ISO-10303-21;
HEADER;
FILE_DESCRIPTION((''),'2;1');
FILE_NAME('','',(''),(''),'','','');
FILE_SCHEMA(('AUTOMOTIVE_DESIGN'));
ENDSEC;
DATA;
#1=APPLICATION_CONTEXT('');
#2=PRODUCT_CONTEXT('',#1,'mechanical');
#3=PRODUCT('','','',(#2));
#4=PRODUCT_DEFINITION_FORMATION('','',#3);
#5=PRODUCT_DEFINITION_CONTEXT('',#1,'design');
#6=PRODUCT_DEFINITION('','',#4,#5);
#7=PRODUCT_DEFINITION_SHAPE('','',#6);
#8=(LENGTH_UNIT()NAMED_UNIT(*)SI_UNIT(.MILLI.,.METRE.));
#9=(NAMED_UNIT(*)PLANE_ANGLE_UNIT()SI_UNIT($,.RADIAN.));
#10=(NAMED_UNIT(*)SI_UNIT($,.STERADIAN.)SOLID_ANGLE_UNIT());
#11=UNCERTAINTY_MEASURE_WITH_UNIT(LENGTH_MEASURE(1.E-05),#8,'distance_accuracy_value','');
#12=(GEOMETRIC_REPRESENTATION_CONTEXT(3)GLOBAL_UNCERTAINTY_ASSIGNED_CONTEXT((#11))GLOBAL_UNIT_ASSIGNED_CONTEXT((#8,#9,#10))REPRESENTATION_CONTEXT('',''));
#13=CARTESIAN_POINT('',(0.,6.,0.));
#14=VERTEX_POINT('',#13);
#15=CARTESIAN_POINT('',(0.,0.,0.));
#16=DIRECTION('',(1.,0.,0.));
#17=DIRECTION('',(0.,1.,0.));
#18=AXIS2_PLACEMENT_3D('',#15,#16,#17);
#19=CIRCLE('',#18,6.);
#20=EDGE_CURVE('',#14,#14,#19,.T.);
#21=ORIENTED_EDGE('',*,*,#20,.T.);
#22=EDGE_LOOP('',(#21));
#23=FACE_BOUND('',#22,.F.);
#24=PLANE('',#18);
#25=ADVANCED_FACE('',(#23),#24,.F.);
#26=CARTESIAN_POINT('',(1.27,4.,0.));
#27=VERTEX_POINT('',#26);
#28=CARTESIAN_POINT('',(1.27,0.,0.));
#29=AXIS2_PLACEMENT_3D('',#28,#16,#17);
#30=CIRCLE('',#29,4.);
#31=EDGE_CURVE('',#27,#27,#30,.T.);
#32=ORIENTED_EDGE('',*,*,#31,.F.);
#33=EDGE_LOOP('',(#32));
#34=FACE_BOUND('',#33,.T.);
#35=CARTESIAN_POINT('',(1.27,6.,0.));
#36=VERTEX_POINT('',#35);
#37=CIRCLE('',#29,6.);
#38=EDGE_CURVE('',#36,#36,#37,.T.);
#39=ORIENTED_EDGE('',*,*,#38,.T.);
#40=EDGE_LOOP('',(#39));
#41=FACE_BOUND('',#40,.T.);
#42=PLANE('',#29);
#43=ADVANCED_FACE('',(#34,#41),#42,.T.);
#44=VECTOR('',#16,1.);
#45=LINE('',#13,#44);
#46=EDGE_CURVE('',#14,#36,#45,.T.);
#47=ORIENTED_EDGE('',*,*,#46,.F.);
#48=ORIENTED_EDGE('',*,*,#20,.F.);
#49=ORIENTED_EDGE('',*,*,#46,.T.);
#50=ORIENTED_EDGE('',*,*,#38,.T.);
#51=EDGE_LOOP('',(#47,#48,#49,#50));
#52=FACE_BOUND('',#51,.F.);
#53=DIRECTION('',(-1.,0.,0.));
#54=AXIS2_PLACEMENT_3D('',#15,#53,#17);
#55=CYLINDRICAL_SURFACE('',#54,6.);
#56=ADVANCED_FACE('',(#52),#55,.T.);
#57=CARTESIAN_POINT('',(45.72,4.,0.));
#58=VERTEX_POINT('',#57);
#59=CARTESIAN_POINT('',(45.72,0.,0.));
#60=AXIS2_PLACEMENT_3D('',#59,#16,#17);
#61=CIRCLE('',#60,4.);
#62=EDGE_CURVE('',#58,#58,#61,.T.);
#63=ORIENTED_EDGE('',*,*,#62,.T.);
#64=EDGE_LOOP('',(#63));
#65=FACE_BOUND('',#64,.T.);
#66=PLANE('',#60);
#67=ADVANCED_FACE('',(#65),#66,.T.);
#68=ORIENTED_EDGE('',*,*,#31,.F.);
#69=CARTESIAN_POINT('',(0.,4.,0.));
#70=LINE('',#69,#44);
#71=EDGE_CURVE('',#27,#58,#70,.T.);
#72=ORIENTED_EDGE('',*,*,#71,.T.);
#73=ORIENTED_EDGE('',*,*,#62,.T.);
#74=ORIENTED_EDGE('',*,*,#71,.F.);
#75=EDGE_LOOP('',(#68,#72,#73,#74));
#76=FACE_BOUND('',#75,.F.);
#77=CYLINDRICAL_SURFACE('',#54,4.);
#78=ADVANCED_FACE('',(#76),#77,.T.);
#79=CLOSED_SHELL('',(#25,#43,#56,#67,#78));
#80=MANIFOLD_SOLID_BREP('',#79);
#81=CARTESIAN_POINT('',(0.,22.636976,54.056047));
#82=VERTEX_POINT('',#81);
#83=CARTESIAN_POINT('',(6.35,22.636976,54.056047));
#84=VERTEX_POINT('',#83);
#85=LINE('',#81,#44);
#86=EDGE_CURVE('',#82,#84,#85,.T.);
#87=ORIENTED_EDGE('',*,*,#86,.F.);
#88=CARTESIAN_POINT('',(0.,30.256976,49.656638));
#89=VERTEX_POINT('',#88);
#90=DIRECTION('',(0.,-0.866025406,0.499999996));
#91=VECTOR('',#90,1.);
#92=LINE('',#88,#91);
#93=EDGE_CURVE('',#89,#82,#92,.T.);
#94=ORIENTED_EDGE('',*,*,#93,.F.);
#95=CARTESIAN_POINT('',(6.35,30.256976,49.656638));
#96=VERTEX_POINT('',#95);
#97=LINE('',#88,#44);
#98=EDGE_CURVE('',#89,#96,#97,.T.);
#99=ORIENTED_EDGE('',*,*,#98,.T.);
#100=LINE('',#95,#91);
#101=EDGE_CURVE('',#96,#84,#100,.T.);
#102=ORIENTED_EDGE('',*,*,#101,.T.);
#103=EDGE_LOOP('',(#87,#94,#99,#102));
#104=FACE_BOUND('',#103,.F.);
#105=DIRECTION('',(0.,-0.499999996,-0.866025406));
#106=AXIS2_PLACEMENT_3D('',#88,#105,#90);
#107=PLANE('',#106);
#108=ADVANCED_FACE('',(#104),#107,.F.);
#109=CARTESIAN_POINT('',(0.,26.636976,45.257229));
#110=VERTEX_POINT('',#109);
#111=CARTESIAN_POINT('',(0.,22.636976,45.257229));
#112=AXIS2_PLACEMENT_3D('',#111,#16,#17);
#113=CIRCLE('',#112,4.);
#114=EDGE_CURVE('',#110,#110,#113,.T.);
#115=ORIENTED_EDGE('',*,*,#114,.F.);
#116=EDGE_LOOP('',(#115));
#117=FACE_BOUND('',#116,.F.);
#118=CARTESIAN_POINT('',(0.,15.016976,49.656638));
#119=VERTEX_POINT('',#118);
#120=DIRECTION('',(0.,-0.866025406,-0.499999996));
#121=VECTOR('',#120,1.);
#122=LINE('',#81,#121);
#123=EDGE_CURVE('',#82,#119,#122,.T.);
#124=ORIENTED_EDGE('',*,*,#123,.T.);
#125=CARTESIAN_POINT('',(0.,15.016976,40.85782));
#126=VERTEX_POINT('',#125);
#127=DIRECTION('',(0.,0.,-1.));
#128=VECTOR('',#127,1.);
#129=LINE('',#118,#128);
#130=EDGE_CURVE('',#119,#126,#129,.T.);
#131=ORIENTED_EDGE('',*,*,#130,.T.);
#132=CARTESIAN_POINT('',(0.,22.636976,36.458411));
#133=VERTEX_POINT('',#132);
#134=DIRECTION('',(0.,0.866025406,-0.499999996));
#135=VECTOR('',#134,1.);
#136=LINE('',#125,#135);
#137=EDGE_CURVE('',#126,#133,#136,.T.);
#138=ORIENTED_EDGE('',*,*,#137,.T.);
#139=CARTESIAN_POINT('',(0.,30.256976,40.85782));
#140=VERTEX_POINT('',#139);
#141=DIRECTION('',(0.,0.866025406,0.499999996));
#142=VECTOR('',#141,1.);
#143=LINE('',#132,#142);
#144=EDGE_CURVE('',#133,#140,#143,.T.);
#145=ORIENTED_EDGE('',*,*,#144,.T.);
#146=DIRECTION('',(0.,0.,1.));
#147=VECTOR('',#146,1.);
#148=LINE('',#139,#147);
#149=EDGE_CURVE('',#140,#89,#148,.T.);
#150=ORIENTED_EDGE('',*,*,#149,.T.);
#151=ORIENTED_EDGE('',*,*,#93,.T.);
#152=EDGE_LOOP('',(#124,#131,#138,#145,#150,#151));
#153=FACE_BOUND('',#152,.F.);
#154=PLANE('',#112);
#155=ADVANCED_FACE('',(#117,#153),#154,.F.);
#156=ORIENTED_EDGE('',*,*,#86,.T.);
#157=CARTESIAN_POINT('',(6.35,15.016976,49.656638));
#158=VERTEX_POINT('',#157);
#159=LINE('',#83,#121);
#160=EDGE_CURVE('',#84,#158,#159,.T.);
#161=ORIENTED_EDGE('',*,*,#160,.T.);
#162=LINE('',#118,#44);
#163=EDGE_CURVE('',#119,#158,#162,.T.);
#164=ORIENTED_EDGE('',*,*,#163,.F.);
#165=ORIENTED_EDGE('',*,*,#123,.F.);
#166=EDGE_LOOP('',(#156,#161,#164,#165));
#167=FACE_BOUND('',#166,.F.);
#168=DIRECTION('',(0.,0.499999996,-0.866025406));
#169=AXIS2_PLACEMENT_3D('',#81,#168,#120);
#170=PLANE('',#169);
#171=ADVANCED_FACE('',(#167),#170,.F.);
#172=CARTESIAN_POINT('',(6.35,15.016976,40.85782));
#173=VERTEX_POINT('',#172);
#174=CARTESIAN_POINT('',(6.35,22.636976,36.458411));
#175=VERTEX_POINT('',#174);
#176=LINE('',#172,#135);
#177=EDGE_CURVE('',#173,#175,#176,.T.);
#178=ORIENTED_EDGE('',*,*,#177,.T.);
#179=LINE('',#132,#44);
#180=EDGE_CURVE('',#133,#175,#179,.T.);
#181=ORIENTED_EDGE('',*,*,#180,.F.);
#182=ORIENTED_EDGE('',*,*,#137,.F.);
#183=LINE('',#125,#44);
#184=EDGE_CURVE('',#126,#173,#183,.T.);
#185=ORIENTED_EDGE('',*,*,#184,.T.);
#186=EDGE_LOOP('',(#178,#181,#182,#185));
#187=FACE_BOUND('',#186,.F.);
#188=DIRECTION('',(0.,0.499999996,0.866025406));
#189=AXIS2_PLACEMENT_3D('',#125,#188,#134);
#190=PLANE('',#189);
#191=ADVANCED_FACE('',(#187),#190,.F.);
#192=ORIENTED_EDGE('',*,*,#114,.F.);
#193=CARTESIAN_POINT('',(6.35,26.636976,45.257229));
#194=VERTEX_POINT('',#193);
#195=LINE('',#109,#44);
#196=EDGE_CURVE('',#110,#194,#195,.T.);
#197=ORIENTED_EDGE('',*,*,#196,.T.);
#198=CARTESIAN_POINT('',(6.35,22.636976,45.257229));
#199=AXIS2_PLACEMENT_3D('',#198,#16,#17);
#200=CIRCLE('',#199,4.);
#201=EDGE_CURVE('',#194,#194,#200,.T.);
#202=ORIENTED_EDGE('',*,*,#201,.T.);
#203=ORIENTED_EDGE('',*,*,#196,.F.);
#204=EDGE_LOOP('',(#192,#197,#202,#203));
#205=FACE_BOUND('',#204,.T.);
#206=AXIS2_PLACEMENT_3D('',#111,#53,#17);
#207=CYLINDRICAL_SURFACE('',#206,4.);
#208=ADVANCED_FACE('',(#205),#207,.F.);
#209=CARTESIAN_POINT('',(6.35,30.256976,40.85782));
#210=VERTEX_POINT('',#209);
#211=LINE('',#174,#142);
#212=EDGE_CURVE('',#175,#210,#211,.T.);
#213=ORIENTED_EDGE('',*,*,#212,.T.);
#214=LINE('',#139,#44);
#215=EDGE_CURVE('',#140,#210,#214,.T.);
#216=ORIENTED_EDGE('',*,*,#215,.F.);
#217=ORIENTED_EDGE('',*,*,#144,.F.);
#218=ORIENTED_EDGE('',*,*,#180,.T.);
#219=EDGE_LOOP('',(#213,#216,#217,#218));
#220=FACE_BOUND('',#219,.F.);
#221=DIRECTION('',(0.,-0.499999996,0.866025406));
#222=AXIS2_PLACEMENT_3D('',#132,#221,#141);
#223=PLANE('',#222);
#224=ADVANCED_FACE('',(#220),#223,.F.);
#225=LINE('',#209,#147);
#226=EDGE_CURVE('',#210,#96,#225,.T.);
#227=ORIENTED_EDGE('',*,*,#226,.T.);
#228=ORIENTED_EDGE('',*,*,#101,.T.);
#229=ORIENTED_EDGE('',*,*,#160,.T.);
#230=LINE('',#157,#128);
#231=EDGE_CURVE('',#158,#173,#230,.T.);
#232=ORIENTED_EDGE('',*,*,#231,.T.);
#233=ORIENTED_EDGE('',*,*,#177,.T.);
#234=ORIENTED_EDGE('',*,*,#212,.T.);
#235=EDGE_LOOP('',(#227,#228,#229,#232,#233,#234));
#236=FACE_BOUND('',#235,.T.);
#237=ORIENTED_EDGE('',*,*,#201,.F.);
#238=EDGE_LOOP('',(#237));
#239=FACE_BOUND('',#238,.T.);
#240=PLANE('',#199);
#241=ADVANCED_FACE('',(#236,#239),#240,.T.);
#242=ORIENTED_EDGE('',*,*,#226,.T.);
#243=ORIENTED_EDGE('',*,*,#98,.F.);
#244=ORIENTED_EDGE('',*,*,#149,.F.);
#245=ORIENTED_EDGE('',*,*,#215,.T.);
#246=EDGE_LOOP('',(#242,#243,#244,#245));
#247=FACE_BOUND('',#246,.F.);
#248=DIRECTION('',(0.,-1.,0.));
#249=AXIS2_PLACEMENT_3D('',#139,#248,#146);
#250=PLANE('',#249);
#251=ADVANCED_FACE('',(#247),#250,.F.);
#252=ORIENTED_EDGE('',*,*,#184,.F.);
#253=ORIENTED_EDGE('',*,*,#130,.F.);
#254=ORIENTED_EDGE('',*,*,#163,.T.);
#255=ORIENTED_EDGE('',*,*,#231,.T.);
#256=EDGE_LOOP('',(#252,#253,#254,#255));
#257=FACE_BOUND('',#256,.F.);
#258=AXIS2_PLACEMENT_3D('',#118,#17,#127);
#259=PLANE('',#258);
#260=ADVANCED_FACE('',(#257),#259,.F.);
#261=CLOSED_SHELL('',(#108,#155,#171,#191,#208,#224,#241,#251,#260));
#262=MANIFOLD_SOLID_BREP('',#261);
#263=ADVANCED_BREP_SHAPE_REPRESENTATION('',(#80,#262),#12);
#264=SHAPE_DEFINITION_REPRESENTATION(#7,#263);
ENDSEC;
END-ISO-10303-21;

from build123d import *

# Parameters (mm, degrees)
F0_R     = 4
F1_DEPTH = 45.72
F0_R_2   = 6
F2_DEPTH = 1.27
F3_R     = 4
F4_DEPTH = 6.35


with BuildPart() as f1:
    # F0 (on Right) → F1 (new body)
    with BuildSketch(Plane.YZ):
        Circle(F0_R)
    extrude(amount=F1_DEPTH)

    # F0 (on Right) → F2 (join)
    with BuildSketch(Plane.YZ):
        Circle(F0_R_2)
        Circle(F0_R, mode=Mode.SUBTRACT)
    extrude(amount=F2_DEPTH)


with BuildPart() as f4:
    # F3 (on Right) → F4 (new body)
    with BuildSketch(Plane.YZ):
        Polygon((30.256976, 40.85782), (30.256976, 49.656638), (22.636976, 54.056047), (15.016976, 49.656638), (15.016976, 40.85782), (22.636976, 36.458411), align=None)
        with Locations((22.636976, 45.257229)):
            Circle(F3_R, mode=Mode.SUBTRACT)
    extrude(amount=F4_DEPTH)


solid = Compound([f1.part, f4.part])
